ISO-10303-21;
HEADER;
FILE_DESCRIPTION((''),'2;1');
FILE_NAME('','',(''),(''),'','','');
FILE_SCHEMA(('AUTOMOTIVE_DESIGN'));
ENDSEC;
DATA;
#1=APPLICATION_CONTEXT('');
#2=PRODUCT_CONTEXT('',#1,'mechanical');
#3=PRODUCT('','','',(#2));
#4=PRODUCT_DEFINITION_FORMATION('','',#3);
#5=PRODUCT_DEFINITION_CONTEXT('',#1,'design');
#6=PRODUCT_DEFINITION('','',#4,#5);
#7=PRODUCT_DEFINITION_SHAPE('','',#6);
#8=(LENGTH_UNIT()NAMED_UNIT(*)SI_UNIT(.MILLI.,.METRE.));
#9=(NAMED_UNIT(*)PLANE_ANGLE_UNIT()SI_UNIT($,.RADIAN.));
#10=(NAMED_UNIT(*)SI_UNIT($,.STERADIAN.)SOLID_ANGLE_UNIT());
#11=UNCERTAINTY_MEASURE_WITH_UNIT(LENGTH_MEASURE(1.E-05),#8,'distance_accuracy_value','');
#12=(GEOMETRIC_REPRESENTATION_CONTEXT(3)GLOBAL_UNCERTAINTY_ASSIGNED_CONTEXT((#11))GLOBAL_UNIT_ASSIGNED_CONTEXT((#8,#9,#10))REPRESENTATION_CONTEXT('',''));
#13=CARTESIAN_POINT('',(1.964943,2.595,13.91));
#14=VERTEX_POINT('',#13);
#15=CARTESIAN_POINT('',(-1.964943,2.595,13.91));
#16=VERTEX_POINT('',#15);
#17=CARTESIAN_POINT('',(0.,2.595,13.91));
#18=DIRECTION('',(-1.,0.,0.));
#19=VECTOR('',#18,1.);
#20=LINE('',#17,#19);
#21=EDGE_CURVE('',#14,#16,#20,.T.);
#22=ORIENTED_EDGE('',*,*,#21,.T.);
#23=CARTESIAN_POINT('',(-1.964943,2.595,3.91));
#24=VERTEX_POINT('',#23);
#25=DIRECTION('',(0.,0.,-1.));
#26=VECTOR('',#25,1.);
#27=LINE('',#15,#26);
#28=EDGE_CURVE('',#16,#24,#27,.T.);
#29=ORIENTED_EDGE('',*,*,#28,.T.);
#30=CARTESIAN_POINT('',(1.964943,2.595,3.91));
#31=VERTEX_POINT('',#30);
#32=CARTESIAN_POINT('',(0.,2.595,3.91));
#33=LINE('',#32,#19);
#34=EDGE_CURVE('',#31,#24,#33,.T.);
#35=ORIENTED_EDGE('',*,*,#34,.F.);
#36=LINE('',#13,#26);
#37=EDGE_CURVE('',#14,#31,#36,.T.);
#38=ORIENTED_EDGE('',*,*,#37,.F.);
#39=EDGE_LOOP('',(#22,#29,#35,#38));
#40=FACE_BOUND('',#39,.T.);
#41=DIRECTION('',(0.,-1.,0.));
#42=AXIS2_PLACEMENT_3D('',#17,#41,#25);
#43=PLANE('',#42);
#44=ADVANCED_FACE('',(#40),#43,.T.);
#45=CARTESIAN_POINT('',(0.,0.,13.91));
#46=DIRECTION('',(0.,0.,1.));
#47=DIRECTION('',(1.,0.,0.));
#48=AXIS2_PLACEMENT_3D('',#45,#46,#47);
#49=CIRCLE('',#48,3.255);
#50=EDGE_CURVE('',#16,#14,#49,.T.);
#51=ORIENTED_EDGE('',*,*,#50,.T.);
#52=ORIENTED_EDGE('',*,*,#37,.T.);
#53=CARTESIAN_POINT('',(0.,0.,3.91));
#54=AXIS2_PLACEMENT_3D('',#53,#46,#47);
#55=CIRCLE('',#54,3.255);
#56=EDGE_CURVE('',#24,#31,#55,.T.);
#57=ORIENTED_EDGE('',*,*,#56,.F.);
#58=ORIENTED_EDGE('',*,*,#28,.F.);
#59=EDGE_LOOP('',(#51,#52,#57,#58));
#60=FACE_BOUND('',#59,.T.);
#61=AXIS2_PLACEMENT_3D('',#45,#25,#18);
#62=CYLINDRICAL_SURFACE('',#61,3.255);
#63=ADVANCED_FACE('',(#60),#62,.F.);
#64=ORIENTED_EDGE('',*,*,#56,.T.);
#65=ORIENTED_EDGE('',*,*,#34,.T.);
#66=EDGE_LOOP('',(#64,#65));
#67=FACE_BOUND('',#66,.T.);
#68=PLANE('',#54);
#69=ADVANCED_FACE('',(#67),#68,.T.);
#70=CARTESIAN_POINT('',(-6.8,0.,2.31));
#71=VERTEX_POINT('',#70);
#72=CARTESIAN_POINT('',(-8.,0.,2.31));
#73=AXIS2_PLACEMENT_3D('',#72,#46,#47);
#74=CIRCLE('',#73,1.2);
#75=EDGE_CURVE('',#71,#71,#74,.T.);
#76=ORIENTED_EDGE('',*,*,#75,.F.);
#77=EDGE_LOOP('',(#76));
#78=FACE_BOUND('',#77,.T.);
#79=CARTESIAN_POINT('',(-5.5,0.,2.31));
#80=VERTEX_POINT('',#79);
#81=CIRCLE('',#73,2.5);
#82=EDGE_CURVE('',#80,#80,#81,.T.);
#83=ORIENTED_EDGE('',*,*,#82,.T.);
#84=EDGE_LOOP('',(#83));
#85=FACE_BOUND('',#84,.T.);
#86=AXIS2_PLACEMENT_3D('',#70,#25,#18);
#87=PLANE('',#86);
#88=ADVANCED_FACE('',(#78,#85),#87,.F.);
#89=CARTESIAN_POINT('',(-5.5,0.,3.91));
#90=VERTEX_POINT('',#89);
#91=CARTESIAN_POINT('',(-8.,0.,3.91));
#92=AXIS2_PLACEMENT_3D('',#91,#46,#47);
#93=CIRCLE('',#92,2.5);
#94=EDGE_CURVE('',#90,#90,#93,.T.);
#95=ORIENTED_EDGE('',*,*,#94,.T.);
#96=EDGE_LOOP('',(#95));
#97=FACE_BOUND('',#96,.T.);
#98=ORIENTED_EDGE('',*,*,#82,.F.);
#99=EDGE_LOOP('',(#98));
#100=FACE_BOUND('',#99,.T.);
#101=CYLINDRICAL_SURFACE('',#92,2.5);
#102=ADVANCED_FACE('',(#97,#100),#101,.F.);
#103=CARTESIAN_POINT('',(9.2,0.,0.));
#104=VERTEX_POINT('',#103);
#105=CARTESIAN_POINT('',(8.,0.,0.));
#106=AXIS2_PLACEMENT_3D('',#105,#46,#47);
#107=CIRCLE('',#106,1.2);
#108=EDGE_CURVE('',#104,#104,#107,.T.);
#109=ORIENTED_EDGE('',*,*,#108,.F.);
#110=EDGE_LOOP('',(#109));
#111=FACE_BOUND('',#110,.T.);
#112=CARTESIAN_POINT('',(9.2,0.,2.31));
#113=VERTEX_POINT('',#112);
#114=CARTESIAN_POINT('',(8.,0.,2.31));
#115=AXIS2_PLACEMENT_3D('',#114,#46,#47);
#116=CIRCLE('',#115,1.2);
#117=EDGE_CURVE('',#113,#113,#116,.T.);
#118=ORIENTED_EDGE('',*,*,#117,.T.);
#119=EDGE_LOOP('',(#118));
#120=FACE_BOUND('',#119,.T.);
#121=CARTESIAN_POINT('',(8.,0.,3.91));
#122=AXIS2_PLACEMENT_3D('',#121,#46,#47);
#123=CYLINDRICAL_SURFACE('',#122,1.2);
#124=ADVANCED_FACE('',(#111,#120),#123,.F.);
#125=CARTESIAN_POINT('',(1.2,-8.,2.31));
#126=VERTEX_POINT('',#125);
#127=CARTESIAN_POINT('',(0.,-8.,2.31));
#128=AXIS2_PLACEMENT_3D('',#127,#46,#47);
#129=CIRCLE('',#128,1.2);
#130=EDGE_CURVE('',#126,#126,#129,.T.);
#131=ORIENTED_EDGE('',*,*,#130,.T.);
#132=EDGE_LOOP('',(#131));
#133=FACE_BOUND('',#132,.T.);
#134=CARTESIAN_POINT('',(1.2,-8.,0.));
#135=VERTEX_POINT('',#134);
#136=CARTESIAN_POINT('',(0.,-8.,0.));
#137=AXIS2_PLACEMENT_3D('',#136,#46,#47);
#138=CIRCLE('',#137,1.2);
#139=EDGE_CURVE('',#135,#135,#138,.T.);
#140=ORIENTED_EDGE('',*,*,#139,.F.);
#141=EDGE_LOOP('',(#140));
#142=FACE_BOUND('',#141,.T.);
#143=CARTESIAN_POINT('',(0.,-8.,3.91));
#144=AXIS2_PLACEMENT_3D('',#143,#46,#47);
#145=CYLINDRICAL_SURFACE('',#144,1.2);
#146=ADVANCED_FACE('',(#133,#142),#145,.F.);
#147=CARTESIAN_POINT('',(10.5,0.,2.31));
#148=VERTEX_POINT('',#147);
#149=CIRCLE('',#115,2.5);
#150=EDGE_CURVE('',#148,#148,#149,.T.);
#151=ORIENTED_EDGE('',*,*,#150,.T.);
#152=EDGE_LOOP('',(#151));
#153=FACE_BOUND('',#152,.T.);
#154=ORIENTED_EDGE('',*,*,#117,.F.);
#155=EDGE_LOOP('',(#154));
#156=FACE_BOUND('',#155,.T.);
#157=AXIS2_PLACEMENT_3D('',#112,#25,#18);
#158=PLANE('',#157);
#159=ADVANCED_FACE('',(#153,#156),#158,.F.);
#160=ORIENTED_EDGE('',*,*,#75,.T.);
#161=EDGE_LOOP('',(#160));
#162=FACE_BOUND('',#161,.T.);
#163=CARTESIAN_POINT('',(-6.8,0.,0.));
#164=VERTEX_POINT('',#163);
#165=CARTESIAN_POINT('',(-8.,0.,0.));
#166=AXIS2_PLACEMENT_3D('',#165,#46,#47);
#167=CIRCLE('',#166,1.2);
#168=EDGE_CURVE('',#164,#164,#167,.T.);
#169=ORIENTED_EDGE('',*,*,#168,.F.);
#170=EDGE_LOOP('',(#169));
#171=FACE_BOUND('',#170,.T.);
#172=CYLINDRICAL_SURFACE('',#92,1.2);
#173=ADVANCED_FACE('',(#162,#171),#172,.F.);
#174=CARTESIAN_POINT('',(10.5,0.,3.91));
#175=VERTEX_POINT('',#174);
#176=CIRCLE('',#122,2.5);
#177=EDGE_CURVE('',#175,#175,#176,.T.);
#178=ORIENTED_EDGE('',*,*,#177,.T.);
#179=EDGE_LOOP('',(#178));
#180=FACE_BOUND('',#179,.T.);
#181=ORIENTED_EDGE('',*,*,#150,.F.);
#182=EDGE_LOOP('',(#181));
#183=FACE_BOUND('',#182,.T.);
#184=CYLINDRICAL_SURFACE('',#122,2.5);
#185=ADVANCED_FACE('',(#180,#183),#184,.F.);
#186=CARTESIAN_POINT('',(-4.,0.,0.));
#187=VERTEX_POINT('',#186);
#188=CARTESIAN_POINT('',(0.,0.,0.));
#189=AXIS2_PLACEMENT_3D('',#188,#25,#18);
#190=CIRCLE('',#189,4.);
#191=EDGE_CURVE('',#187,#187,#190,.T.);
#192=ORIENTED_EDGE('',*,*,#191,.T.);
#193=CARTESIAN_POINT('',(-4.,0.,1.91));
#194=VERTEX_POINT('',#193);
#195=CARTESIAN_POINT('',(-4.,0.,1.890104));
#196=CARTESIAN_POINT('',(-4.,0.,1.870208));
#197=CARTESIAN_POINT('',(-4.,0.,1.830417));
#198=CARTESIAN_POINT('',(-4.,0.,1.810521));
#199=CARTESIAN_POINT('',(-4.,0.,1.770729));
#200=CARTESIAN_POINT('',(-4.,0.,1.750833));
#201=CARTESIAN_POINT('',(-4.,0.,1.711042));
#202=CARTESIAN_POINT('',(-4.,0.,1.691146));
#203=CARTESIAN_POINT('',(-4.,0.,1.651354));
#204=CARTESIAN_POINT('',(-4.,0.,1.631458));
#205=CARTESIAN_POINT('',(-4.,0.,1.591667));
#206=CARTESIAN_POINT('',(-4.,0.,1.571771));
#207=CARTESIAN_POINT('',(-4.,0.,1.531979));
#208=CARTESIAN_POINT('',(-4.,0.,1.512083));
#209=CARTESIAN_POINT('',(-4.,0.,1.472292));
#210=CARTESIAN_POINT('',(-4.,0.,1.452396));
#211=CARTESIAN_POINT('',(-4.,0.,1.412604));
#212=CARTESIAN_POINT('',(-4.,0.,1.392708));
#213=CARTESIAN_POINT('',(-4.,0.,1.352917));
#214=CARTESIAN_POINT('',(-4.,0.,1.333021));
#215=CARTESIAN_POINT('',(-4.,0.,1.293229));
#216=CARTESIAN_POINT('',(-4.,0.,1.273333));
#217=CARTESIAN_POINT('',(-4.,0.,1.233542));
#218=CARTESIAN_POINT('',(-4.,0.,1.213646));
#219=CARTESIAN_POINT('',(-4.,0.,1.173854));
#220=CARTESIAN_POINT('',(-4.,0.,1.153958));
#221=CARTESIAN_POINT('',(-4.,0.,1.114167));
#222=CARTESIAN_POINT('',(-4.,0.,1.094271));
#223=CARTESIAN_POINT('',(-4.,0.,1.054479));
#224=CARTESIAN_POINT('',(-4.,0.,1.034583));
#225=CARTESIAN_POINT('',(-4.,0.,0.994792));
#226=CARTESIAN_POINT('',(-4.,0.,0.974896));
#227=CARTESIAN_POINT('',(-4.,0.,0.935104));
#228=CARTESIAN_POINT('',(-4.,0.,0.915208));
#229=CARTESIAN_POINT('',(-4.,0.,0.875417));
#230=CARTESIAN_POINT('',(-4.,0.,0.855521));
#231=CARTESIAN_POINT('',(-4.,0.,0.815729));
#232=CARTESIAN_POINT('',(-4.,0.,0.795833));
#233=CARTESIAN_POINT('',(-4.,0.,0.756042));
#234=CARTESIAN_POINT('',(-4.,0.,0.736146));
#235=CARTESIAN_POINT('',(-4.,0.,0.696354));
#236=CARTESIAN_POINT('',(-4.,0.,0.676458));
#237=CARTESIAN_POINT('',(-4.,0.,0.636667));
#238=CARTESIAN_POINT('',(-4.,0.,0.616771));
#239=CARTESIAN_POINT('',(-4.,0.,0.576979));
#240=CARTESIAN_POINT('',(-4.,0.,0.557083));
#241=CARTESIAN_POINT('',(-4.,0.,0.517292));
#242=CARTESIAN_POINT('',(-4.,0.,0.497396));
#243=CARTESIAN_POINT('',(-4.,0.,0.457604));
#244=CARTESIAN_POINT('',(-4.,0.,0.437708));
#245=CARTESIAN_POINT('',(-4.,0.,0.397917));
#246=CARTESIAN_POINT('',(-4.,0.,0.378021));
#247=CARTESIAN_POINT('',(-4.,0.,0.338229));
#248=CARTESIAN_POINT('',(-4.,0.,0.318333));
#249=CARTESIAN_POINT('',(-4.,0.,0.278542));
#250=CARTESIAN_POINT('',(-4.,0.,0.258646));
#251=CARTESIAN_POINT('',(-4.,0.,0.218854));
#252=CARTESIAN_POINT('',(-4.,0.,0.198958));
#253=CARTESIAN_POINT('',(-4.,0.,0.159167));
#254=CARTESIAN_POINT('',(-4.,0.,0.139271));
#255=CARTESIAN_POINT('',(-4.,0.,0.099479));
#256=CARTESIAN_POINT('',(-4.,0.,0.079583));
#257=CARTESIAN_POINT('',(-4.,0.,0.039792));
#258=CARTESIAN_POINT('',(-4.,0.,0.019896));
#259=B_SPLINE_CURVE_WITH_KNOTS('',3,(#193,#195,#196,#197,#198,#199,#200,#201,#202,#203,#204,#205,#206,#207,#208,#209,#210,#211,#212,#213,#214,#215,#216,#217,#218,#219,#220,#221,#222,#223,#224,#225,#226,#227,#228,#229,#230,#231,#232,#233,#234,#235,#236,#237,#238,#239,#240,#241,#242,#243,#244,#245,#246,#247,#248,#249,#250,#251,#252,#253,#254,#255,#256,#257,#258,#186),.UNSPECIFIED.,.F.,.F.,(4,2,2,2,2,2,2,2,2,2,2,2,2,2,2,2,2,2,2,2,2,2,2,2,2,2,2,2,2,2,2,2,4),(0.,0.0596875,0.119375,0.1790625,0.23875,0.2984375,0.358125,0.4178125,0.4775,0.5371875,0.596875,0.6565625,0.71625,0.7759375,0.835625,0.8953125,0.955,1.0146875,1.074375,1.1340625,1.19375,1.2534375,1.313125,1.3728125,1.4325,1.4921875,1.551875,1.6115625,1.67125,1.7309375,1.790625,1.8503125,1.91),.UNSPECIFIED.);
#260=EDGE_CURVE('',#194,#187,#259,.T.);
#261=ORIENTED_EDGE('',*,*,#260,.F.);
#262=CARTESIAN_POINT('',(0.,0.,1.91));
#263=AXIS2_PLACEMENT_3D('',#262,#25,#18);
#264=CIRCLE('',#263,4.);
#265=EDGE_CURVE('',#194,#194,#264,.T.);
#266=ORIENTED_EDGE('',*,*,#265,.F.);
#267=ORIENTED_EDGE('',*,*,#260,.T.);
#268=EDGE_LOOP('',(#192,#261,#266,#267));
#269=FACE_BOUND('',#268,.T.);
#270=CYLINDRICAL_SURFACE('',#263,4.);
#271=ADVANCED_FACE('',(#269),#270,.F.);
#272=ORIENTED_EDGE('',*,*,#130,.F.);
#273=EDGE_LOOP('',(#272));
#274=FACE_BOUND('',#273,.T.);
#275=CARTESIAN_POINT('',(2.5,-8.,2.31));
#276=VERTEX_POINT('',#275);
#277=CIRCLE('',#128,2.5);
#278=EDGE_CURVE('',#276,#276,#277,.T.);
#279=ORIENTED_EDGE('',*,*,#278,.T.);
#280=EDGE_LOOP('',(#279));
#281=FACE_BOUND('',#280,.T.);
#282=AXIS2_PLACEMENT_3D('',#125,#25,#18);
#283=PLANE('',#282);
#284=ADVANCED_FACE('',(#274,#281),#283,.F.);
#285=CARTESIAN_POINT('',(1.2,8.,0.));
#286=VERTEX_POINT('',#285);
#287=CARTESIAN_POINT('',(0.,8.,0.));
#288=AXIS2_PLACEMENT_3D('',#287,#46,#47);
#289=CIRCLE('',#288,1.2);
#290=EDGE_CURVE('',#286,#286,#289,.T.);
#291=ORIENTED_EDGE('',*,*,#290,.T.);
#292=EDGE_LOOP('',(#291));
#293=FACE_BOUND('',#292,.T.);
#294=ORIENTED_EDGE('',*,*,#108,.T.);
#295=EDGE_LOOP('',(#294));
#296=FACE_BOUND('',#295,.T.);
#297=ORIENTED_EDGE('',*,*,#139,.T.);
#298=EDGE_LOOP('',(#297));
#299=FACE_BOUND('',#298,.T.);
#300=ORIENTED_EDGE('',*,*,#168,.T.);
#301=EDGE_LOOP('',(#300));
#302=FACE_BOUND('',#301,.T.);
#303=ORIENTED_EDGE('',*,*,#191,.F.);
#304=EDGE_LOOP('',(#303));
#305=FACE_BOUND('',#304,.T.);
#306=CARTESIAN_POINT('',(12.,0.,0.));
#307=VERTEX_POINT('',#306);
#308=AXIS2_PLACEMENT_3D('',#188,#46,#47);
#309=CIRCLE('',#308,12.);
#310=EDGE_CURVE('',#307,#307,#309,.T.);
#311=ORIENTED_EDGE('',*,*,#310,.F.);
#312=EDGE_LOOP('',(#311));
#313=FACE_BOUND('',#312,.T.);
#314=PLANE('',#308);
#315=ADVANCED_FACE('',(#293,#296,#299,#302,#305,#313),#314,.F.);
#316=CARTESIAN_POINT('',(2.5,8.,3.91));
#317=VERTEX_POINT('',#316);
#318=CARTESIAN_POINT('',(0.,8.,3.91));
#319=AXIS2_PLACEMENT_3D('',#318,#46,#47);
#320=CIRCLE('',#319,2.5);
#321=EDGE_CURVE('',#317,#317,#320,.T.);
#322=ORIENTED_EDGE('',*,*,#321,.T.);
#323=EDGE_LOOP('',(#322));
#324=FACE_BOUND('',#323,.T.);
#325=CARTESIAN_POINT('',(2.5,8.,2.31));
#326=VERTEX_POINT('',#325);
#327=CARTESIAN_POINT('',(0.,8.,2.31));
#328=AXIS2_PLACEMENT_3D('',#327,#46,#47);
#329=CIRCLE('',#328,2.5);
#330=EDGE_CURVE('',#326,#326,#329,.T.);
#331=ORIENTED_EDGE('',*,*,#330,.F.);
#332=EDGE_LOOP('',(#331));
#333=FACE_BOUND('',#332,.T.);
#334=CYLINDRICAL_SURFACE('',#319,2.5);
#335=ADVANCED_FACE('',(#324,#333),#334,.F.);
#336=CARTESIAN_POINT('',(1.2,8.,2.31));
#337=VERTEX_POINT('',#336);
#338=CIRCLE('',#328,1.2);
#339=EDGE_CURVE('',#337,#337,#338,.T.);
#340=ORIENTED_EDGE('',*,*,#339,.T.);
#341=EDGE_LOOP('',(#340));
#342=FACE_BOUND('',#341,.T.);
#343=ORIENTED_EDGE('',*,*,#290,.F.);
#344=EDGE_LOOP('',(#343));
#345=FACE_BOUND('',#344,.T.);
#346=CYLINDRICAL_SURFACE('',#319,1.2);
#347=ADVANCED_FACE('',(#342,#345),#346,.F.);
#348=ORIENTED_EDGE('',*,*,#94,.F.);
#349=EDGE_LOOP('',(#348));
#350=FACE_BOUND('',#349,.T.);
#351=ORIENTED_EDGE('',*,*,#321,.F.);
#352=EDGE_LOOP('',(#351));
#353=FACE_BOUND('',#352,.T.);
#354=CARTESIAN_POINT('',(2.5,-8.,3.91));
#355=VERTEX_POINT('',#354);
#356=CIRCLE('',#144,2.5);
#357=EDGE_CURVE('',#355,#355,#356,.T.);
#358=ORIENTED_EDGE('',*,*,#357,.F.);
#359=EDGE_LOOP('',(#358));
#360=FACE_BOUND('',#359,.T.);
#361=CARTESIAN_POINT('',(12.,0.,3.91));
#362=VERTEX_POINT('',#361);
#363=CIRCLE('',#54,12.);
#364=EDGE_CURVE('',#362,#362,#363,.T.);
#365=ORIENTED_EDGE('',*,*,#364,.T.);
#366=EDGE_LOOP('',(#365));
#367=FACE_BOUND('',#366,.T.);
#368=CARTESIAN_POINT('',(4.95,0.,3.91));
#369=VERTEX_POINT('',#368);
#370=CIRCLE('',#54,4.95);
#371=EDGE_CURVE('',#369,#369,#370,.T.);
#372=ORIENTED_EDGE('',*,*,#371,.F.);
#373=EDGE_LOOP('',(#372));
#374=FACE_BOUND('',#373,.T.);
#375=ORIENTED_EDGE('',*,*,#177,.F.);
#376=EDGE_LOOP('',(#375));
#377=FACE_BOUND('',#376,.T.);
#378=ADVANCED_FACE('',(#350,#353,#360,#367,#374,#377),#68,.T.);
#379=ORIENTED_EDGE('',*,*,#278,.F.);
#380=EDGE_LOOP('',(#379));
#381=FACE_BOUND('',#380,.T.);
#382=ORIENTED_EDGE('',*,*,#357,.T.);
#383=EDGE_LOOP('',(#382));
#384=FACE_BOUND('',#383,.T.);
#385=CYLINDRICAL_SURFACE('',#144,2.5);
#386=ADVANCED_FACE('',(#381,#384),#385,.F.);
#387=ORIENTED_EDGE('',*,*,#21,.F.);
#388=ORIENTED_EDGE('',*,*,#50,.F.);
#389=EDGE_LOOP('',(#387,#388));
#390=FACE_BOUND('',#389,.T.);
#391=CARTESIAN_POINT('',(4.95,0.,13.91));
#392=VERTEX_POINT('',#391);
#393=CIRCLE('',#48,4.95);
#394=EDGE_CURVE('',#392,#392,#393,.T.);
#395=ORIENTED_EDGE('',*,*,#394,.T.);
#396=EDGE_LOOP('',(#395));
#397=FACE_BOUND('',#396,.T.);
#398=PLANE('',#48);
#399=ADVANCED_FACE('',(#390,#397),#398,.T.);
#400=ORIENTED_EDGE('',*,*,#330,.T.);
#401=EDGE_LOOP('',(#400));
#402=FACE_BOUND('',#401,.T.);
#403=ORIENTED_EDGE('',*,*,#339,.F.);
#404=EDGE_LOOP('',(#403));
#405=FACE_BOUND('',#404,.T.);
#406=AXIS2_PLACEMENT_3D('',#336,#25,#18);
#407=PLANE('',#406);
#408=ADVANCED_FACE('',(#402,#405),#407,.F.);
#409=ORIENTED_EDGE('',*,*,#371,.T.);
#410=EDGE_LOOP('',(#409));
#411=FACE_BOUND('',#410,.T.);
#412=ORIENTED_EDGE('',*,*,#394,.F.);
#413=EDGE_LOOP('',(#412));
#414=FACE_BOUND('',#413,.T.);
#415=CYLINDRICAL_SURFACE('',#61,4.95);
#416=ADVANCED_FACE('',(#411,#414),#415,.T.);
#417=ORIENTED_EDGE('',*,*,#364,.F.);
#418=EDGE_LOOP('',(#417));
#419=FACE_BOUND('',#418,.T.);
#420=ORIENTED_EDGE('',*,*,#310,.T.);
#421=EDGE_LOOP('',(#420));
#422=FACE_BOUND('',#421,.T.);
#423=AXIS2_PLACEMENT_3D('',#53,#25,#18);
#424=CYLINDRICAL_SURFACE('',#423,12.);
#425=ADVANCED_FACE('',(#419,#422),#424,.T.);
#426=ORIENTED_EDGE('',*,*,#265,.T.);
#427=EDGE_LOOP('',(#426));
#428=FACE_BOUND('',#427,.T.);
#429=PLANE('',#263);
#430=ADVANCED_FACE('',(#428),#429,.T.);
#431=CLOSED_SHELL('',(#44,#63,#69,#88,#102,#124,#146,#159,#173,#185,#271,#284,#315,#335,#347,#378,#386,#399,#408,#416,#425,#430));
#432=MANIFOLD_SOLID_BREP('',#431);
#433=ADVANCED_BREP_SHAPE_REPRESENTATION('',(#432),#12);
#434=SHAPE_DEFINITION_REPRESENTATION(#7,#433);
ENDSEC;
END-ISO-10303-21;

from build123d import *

# Parameters (mm, degrees)
ESQUISSE1_R                                        = 12
BOSS_EXTRU_1_DEPTH                                 = 3.91
ESQUISSE6_R                                        = 4
ENL_V_MAT_EXTRU_2_DEPTH                            = 1.91
ESQUISSE7_R                                        = 4.95
BOSS_EXTRU_2_DEPTH                                 = 10
CHAMBRAGE_POUR_VIS_T_TE_RONDE_BOMB_E_M_D           = 2.4
CHAMBRAGE_POUR_VIS_T_TE_RONDE_BOMB_E_M_CBORE_D     = 5
CHAMBRAGE_POUR_VIS_T_TE_RONDE_BOMB_E_M_CBORE_DEPTH = 1.6
R_P_TITION_CIRCULAIRE2_COUNT                       = 4


with BuildPart() as part:
    # Esquisse1 → Boss.-Extru.1 (new body)
    with BuildSketch(Plane.XY):
        Circle(ESQUISSE1_R)
    extrude(amount=BOSS_EXTRU_1_DEPTH)

    # Esquisse6 → Enlèv. mat.-Extru.2 (cut)
    with BuildSketch(Plane(origin=(0, 0, 0), x_dir=(-1, 0, 0), z_dir=(0, 0, -1))):
        Circle(ESQUISSE6_R)
    extrude(amount=-ENL_V_MAT_EXTRU_2_DEPTH, mode=Mode.SUBTRACT)

    # Esquisse7 → Boss.-Extru.2 (add)
    with BuildSketch(Plane.XY.offset(3.91)):
        Circle(ESQUISSE7_R)
        with BuildLine():
            Line((1.964942747, 2.595), (-1.964942747, 2.595))
            ThreePointArc((-1.964942747, 2.595), (0, -3.255), (1.964942747, 2.595))
        make_face(mode=Mode.SUBTRACT)
    extrude(amount=BOSS_EXTRU_2_DEPTH)

    # Chambrage pour vis à tête ronde bombée M21 (through all)
    with Locations(Plane.XY.offset(3.91)):
        with Locations((0, 8)):
            chambrage_pour_vis_t_te_ronde_bomb_e_m = CounterBoreHole(CHAMBRAGE_POUR_VIS_T_TE_RONDE_BOMB_E_M_D / 2, CHAMBRAGE_POUR_VIS_T_TE_RONDE_BOMB_E_M_CBORE_D / 2, CHAMBRAGE_POUR_VIS_T_TE_RONDE_BOMB_E_M_CBORE_DEPTH)

    # Répétition circulaire2: Chambrage pour vis à tête ronde bombée M21 ×4 about axis
    r_p_tition_circulaire2_axis = Axis((0, 0, 0), (0, 0, 1))
    for i in range(1, R_P_TITION_CIRCULAIRE2_COUNT):
        add(chambrage_pour_vis_t_te_ronde_bomb_e_m.rotate(r_p_tition_circulaire2_axis, i * 360 / R_P_TITION_CIRCULAIRE2_COUNT), mode=Mode.SUBTRACT)


solid = part.part
